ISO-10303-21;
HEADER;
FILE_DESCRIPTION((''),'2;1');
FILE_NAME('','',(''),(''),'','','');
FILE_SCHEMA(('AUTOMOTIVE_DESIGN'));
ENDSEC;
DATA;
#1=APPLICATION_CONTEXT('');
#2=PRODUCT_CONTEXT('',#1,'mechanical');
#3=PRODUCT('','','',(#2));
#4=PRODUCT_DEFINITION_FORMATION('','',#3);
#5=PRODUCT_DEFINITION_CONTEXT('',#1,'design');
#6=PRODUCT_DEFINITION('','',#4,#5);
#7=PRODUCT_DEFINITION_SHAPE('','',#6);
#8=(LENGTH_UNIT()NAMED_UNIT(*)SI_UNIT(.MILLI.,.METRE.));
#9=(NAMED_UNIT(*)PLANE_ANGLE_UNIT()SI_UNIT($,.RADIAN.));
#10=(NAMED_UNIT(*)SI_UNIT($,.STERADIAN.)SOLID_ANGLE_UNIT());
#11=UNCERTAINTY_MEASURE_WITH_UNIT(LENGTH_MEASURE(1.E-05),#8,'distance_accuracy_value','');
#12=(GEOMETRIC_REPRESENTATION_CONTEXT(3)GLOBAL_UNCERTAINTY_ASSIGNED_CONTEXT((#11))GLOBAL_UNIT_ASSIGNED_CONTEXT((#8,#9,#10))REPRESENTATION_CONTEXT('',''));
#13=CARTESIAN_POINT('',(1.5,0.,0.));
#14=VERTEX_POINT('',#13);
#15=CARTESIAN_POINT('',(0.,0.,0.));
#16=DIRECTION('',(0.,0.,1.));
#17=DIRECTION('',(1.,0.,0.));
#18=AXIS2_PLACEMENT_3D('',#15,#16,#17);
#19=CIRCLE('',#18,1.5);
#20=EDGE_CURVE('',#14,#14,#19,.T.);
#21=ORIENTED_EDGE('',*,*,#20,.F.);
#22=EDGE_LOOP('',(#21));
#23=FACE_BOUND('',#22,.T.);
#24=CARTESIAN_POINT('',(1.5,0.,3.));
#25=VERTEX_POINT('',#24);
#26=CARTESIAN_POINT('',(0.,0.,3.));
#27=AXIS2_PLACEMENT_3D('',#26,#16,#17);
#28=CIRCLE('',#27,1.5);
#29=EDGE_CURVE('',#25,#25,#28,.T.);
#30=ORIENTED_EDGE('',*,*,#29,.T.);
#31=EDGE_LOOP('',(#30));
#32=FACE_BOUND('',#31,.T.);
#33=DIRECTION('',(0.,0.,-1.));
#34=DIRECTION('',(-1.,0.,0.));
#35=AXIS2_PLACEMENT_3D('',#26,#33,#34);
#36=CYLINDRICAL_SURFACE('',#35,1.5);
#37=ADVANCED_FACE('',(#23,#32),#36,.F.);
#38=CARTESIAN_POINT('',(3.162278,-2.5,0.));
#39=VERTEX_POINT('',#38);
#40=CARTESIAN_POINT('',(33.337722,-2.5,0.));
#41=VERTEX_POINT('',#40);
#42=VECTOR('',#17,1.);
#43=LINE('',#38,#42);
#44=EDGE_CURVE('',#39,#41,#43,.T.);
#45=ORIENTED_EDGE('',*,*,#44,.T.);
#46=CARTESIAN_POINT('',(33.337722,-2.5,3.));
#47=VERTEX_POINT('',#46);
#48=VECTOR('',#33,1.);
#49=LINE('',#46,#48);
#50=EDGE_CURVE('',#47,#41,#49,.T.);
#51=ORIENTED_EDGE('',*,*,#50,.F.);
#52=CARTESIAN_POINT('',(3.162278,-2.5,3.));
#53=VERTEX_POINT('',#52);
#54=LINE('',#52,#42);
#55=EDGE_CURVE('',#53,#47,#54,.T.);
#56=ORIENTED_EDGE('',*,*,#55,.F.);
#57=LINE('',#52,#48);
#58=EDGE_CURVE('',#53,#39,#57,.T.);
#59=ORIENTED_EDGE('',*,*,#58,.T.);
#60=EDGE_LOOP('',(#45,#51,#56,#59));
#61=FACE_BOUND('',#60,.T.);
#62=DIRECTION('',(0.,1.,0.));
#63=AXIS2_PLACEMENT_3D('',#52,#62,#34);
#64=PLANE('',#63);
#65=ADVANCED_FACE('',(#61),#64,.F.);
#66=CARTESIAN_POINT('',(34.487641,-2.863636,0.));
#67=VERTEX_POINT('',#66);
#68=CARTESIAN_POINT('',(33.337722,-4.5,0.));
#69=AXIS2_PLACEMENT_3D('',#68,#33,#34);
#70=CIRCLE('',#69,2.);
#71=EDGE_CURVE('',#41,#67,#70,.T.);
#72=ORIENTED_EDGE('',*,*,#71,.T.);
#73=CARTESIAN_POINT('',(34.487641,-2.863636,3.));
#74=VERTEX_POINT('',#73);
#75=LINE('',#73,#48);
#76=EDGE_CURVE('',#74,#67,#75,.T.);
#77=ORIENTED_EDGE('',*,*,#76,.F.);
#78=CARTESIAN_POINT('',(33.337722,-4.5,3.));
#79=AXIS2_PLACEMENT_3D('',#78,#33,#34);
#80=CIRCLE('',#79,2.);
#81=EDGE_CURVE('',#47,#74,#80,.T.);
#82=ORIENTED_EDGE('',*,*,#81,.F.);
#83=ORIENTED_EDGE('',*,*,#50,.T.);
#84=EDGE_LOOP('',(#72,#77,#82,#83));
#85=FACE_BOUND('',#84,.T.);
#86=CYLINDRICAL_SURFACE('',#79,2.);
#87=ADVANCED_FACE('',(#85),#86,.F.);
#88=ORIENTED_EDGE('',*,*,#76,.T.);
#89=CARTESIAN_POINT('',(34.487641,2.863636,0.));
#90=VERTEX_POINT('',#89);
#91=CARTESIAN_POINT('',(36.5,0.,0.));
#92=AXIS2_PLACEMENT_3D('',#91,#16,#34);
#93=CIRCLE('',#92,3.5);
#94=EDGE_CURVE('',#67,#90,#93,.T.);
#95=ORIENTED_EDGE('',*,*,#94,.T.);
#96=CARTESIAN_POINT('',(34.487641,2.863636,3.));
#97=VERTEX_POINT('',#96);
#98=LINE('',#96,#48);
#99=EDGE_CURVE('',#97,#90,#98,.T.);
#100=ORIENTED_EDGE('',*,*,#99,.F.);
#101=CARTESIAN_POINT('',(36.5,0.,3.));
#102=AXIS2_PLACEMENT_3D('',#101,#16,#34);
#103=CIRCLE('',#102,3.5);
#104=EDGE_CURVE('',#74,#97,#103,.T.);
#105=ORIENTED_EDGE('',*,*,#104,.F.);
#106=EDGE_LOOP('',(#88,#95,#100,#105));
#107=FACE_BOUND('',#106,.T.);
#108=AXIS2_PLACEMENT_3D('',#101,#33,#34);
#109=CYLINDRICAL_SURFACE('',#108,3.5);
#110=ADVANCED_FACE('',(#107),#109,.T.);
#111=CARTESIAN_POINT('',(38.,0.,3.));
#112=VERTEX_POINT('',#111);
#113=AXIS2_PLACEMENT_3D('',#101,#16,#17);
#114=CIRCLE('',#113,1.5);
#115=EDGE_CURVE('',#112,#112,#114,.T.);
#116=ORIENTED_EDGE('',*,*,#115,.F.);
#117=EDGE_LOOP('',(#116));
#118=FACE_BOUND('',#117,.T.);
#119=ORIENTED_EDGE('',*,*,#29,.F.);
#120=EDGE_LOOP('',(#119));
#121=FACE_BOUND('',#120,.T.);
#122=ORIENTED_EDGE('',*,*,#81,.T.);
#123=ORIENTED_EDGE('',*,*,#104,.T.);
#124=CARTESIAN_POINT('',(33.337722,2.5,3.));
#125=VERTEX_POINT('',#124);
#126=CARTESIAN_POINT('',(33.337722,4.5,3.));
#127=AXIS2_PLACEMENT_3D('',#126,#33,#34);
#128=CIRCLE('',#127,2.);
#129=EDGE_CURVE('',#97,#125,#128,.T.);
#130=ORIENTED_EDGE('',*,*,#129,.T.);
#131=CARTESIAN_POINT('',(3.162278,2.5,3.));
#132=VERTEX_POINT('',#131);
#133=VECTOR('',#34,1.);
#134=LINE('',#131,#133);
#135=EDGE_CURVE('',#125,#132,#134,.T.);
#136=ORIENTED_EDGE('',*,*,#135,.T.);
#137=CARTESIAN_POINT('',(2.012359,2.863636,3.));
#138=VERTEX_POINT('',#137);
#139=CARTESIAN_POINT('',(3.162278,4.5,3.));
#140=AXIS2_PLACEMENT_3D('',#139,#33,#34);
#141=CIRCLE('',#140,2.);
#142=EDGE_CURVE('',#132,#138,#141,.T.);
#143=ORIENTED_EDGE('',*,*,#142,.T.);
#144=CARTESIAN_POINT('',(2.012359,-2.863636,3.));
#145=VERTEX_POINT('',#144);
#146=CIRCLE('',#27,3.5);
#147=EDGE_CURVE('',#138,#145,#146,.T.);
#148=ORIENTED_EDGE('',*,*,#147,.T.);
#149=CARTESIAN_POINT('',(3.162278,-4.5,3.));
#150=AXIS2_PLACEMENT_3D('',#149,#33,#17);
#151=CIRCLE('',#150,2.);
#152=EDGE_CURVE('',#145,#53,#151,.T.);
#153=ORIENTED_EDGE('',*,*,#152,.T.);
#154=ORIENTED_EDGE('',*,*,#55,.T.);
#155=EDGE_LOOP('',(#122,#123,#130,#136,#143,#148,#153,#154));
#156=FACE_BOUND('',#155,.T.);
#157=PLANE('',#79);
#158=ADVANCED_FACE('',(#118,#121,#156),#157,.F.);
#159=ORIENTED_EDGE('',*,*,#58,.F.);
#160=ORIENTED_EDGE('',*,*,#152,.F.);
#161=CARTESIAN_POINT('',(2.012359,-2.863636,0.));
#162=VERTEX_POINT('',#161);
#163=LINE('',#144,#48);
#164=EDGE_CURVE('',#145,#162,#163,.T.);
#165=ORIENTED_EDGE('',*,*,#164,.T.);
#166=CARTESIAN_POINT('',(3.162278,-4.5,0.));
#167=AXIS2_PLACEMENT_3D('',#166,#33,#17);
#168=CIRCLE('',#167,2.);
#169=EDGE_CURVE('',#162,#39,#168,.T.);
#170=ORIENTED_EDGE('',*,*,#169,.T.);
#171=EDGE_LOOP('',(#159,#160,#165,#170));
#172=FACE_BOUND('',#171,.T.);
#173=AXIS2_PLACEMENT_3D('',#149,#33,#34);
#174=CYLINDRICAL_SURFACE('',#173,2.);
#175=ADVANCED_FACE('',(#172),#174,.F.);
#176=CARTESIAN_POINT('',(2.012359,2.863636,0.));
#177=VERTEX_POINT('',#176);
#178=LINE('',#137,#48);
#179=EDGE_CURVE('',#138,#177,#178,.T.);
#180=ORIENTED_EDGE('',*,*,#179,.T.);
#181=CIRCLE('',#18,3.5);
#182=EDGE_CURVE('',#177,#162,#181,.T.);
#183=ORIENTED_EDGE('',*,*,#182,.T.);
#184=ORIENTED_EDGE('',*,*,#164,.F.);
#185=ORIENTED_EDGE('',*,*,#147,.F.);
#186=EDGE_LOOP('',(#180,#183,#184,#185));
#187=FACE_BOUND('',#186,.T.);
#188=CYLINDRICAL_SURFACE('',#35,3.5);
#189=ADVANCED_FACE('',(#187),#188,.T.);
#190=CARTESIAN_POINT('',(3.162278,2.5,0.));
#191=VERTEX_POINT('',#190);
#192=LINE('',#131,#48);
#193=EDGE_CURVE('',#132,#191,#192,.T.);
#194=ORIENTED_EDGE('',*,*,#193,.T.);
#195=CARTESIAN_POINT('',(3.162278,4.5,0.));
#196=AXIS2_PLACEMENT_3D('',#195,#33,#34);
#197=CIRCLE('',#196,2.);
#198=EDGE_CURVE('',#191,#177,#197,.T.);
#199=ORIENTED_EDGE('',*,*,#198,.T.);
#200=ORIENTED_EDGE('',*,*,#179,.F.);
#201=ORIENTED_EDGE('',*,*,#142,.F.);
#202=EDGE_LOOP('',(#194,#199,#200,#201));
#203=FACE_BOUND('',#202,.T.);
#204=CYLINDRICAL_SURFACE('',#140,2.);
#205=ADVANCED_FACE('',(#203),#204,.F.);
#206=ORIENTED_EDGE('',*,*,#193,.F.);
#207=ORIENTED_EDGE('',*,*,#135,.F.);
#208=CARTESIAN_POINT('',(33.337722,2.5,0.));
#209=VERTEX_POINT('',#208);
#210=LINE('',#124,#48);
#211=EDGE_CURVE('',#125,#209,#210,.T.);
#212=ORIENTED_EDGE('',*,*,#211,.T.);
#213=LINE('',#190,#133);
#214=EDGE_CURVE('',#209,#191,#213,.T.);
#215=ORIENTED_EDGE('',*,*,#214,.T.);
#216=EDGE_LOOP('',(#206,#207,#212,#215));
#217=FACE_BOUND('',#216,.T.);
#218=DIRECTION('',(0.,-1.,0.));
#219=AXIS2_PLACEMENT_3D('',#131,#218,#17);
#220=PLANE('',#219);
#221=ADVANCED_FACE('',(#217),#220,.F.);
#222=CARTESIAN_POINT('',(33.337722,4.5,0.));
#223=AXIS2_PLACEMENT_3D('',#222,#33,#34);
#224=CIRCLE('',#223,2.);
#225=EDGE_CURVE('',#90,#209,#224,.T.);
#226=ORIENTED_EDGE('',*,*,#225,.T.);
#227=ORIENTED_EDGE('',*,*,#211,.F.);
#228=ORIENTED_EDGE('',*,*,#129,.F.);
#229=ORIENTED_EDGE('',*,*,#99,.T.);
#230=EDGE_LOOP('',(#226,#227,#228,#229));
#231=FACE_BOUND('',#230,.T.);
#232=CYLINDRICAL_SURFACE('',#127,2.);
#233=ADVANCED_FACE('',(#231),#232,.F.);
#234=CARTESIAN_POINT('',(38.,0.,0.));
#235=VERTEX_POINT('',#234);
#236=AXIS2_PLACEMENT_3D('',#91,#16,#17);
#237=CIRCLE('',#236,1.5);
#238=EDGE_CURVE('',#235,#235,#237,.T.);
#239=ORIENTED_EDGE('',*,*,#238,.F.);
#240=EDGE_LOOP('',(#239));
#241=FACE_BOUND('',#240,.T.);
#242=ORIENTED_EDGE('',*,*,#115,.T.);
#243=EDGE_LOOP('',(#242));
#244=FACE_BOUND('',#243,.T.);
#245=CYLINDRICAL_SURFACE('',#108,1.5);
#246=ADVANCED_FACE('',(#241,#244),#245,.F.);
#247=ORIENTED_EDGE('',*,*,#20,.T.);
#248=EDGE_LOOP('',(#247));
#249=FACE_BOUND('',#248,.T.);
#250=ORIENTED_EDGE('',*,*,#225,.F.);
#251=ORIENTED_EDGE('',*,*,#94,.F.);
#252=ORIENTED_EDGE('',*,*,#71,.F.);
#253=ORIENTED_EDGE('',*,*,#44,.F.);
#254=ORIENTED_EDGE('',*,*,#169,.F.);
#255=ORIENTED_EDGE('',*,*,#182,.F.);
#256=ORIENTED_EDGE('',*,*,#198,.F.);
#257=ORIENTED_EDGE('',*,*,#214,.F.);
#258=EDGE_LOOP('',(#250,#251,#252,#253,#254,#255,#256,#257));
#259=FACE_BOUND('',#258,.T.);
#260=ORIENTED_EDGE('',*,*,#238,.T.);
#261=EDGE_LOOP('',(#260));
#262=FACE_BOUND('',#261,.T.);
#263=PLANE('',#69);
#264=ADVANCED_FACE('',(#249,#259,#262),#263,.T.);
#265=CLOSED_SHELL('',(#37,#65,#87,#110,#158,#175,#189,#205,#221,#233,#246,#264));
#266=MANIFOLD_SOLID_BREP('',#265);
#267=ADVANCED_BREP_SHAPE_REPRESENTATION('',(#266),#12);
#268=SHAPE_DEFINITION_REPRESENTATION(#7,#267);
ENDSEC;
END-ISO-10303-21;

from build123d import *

# Parameters (mm, degrees)
SKETCH_1_R      = 1.5
EXTRUDE_1_DEPTH = 3


with BuildPart() as part:
    # 草图1 → 凸台-拉伸1 (new body)
    with BuildSketch(Plane.XY):
        with BuildLine():
            Line((3.16227766, 2.5), (33.33772234, 2.5))
            ThreePointArc((33.33772234, 2.5), (33.940745029, 2.593074822), (34.487641489, 2.863636364))
            ThreePointArc((34.487641489, 2.863636364), (40, 0), (34.487641489, -2.863636364))
            ThreePointArc((34.487641489, -2.863636364), (33.940745029, -2.593074822), (33.33772234, -2.5))
            Line((33.33772234, -2.5), (3.16227766, -2.5))
            ThreePointArc((3.16227766, -2.5), (2.559254971, -2.593074822), (2.012358511, -2.863636364))
            ThreePointArc((2.012358511, -2.863636364), (-3.5, 0), (2.012358511, 2.863636364))
            ThreePointArc((2.012358511, 2.863636364), (2.559254971, 2.593074822), (3.16227766, 2.5))
        make_face()
        Circle(SKETCH_1_R, mode=Mode.SUBTRACT)
        with Locations((36.5, 0)):
            Circle(SKETCH_1_R, mode=Mode.SUBTRACT)
    extrude(amount=EXTRUDE_1_DEPTH)


solid = part.part
